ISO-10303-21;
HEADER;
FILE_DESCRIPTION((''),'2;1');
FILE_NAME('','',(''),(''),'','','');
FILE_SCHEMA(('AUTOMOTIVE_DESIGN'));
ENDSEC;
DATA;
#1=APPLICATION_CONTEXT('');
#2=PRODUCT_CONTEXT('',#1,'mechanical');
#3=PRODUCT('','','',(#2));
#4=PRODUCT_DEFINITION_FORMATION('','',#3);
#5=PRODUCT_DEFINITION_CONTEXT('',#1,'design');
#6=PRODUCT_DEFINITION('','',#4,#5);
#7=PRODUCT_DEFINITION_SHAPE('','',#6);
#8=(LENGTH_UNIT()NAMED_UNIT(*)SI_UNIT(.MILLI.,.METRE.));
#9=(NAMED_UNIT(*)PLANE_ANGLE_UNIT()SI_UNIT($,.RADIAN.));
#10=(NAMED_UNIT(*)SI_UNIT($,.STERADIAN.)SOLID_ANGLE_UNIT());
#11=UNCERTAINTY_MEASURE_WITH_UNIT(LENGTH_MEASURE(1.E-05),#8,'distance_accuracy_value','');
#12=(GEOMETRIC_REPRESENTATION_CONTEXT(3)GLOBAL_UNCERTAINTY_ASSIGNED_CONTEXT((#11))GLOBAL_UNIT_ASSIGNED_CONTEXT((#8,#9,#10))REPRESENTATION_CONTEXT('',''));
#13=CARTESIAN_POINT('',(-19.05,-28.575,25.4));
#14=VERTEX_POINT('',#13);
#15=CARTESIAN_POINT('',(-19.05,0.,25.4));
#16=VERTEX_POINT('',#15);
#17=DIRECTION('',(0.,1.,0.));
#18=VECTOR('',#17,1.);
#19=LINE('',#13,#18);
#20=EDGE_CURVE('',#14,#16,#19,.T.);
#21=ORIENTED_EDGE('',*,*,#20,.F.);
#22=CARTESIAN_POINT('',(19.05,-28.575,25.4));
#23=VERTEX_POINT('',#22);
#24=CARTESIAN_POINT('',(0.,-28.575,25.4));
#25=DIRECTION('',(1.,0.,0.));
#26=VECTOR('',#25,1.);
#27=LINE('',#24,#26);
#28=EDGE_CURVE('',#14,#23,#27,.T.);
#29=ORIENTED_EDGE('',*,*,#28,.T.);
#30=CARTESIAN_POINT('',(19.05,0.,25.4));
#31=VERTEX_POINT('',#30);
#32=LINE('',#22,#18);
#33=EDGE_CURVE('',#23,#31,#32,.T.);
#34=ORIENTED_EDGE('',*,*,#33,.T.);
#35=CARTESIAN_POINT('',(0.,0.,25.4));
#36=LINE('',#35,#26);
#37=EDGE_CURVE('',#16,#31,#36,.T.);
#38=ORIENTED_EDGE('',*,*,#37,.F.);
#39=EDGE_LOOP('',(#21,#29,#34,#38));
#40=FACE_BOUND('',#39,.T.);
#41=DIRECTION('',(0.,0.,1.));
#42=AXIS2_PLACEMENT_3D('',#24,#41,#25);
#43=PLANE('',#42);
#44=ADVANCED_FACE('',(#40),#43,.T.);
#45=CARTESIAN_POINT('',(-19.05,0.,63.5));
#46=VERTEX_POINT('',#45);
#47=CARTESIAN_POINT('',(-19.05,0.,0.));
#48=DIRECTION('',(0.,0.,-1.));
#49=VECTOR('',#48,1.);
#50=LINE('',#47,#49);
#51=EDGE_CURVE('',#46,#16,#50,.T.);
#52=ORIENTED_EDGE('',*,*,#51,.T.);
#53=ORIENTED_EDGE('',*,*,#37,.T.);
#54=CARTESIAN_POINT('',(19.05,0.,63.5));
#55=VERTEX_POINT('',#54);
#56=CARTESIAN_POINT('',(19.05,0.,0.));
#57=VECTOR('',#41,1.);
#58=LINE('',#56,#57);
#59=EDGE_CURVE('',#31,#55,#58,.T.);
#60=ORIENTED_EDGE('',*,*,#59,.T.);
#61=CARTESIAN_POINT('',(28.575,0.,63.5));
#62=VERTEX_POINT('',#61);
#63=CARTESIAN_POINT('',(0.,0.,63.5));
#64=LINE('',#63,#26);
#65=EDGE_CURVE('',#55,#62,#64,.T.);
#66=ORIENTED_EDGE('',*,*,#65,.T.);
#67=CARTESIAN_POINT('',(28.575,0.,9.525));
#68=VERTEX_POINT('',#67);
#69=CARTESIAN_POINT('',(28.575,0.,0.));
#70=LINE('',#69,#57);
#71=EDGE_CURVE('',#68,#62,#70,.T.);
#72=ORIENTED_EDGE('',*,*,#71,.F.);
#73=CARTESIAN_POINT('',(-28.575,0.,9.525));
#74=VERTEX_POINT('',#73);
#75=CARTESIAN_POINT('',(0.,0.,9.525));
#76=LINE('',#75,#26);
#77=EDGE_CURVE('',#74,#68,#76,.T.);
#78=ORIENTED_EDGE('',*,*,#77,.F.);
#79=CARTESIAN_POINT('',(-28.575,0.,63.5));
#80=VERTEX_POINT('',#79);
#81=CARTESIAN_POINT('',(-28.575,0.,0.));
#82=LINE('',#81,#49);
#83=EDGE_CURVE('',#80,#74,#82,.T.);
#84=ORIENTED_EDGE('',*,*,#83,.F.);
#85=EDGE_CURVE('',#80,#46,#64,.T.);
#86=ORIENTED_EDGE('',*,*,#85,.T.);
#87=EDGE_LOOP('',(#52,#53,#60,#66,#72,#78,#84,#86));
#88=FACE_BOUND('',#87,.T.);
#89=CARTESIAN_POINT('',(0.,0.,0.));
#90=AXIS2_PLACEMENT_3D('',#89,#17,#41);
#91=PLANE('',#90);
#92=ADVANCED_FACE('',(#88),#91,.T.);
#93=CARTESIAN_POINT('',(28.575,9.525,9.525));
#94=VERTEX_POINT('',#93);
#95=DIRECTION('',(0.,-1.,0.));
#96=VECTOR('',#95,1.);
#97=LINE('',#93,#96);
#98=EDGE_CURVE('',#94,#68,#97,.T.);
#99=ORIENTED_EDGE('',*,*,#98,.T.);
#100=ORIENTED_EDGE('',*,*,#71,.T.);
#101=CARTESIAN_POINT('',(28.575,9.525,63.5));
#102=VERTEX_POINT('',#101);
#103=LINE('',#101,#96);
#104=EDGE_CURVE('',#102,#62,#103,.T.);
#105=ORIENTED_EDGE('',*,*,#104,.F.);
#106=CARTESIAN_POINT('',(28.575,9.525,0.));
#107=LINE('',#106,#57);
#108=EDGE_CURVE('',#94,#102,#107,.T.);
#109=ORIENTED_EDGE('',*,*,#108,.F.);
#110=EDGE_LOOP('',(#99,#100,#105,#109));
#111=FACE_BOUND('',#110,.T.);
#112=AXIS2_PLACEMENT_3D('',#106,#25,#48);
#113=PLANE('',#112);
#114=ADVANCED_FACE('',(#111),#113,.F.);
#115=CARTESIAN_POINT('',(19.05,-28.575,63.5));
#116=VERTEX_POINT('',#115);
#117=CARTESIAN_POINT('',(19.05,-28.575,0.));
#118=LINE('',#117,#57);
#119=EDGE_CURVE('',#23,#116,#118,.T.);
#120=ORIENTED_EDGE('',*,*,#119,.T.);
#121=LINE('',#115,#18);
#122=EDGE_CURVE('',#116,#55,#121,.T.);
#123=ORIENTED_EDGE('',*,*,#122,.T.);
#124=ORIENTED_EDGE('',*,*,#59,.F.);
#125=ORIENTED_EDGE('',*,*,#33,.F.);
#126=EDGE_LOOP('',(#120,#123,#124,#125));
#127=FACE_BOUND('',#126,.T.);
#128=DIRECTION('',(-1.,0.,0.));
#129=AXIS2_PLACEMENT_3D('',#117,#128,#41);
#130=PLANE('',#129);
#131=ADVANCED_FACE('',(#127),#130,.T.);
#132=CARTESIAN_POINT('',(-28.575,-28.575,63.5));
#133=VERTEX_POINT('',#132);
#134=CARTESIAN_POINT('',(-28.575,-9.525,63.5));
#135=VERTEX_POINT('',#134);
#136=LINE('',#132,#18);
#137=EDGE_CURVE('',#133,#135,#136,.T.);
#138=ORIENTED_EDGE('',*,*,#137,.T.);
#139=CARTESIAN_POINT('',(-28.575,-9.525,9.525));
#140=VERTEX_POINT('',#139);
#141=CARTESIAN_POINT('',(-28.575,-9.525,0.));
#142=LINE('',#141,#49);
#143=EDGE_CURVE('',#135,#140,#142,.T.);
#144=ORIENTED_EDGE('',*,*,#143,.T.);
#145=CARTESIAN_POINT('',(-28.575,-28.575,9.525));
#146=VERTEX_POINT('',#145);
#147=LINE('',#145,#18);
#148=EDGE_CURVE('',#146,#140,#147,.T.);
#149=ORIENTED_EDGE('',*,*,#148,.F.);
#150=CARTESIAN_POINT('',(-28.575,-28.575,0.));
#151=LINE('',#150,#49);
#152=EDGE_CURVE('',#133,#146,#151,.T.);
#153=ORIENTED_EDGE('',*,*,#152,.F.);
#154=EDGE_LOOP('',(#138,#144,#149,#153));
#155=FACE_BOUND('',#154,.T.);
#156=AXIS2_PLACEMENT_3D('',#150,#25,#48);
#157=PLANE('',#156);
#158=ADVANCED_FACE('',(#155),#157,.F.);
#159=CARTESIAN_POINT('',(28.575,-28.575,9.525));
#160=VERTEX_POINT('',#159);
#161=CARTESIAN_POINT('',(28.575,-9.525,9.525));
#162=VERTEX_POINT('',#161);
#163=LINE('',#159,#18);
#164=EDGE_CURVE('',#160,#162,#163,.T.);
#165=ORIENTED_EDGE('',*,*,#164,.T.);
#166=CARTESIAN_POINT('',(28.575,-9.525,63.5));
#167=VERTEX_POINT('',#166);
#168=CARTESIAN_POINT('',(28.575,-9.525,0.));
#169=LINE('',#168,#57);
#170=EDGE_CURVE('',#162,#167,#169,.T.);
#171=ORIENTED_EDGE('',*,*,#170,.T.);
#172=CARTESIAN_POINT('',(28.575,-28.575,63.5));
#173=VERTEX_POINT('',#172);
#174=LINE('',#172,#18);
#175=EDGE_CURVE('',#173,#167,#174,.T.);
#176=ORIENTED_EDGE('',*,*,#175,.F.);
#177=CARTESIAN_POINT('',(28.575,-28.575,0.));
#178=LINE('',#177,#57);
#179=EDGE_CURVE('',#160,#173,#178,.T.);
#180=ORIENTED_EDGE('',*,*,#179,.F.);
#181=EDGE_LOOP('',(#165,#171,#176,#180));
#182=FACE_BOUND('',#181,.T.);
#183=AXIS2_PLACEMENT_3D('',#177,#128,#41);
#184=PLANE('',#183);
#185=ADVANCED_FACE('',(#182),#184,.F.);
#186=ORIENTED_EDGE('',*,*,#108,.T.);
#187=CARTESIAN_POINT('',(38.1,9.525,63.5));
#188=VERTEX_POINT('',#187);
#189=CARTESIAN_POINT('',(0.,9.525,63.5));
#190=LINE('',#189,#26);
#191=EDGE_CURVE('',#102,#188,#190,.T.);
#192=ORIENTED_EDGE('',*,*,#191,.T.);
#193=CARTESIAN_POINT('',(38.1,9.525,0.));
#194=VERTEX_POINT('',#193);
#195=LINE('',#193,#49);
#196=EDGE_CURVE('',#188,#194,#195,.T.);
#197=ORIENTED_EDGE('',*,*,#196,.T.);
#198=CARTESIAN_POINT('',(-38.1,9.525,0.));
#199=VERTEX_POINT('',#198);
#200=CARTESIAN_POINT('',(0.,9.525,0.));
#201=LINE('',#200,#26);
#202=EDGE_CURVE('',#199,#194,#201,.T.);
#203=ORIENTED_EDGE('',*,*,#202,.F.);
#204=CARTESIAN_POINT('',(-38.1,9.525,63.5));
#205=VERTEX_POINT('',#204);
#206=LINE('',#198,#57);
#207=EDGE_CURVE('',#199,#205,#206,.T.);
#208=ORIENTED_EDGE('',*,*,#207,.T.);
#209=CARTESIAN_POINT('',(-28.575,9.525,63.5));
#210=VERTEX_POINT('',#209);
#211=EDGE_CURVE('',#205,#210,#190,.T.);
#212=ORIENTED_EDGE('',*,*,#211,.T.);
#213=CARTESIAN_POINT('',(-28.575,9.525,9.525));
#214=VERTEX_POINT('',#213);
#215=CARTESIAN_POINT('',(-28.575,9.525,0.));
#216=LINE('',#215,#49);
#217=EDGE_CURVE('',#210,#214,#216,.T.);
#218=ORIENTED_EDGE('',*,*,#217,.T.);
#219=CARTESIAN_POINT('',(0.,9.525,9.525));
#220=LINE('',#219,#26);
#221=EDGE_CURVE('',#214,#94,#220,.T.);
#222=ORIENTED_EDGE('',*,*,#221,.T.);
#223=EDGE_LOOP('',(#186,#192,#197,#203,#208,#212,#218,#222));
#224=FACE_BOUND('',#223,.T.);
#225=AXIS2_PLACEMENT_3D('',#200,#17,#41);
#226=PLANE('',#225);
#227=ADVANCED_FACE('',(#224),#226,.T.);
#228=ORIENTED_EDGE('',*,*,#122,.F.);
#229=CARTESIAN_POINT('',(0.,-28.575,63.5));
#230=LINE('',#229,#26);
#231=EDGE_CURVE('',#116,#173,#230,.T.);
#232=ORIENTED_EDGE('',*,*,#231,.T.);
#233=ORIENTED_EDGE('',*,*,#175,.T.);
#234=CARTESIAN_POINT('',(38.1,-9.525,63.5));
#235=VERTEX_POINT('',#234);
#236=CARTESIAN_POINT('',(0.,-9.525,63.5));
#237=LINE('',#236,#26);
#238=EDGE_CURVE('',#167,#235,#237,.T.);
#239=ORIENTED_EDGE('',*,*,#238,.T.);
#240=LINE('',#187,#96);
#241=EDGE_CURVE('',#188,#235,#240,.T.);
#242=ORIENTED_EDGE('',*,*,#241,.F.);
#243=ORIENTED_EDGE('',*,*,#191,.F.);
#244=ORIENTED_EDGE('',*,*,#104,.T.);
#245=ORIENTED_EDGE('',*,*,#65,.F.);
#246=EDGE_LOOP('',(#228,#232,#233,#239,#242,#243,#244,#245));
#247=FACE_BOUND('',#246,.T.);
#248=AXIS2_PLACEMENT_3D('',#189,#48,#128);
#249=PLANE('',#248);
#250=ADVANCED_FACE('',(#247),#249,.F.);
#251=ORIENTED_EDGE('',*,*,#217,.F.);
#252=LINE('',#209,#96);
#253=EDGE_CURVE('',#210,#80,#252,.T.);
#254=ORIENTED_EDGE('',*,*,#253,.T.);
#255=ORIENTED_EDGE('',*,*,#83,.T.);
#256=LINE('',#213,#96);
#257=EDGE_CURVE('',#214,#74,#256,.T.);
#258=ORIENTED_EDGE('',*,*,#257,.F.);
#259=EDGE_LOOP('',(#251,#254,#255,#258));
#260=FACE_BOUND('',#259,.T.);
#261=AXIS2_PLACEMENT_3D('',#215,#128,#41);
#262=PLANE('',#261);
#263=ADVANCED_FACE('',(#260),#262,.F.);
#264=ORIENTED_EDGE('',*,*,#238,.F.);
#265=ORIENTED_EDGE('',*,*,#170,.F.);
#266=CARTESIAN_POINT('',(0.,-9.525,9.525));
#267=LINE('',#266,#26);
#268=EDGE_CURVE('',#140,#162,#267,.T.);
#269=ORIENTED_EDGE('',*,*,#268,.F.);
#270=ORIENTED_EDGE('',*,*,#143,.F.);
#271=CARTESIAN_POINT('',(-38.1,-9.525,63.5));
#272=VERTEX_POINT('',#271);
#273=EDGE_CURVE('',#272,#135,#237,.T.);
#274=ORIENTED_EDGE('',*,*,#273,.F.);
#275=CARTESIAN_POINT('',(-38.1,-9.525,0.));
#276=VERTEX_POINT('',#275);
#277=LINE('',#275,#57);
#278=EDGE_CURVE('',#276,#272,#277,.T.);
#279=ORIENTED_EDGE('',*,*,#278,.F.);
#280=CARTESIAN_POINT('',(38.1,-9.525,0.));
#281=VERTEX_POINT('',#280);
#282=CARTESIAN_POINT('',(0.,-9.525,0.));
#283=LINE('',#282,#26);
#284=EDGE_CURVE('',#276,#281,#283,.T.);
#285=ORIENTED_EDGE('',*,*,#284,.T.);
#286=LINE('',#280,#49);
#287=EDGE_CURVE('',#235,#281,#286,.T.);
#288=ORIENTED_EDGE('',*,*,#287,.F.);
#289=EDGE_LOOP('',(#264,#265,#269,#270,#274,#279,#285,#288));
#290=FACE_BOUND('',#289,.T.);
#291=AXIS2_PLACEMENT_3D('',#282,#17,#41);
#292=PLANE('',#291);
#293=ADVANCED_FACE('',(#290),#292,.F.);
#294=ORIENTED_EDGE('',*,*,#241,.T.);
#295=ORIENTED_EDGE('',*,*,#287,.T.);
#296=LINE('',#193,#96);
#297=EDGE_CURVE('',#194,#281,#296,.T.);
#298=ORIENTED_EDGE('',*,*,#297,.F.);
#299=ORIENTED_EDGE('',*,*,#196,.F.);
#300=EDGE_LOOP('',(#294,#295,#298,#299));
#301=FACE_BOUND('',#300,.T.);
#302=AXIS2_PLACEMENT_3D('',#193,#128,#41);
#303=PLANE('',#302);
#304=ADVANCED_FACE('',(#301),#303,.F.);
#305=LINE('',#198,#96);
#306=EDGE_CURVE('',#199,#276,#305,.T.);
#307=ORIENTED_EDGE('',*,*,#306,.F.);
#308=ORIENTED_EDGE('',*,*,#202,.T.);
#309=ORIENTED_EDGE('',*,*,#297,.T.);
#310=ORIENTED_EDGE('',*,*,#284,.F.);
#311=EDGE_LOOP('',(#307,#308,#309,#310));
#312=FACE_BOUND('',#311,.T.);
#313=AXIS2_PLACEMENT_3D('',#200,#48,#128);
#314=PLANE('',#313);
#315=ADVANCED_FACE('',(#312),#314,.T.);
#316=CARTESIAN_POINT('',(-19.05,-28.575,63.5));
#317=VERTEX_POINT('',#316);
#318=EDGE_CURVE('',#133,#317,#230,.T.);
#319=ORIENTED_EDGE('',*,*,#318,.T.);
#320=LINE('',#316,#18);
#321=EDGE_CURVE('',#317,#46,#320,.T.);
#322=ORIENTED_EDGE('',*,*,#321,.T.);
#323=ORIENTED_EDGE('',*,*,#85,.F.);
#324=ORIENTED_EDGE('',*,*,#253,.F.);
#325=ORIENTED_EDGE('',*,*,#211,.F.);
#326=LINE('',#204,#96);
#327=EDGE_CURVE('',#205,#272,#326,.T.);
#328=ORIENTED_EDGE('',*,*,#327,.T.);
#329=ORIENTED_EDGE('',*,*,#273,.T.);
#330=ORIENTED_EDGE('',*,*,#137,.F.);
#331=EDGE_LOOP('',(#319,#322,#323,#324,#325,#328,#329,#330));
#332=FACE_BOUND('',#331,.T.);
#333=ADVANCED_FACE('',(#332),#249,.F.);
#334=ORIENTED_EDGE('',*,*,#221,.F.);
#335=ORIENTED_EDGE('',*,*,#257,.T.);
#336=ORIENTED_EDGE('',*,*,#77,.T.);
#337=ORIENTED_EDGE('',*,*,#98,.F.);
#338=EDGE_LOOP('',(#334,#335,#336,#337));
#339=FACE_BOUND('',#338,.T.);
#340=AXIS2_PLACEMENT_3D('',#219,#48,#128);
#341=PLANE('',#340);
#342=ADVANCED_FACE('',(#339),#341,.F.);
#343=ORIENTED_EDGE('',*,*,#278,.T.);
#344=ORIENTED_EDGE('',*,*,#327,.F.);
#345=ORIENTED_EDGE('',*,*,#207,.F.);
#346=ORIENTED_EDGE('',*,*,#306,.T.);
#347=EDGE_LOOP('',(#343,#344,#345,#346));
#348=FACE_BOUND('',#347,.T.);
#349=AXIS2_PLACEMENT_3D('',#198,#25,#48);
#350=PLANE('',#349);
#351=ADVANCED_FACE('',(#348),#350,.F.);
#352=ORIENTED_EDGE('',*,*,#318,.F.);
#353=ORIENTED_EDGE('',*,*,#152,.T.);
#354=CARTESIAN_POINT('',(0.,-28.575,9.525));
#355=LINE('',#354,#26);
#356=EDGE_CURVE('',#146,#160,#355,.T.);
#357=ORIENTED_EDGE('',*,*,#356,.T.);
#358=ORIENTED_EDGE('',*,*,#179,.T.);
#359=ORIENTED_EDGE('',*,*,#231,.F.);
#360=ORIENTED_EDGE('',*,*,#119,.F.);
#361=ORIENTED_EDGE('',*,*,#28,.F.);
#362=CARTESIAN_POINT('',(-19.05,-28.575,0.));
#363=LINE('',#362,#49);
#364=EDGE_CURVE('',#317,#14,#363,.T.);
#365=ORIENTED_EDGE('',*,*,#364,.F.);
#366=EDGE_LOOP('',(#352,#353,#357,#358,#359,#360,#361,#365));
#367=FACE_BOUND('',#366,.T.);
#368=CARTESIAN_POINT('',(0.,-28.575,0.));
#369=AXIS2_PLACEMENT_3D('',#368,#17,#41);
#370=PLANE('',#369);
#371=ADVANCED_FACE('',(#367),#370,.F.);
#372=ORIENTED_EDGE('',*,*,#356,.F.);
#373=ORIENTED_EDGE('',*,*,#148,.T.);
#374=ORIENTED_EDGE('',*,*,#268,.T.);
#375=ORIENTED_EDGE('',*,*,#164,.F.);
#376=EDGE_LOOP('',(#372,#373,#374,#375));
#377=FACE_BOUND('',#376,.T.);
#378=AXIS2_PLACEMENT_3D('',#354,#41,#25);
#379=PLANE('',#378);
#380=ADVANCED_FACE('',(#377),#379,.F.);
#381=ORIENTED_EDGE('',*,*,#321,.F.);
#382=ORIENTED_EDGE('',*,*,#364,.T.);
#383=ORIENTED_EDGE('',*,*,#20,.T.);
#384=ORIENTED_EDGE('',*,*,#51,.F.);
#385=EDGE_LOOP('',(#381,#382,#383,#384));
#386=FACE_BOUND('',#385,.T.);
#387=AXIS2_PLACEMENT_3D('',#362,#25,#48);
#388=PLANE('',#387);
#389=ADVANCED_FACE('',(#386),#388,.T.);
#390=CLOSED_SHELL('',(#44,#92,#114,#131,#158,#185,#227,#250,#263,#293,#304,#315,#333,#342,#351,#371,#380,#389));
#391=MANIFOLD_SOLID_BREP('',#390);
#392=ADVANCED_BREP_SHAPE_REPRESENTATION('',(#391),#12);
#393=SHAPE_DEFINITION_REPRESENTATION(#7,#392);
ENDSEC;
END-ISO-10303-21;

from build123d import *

# Parameters (mm, degrees)
BOSS_EXTRUDE1_DEPTH = 9.525
BOSS_EXTRUDE2_DEPTH = 28.575


with BuildPart() as part:
    # Sketch1 → Boss-Extrude1 (new, symmetric)
    with BuildSketch(Plane(origin=(0, 0, 0), x_dir=(1, 0, 0), z_dir=(0, 1, 0))):
        Polygon((38.1, 0), (-38.1, 0), (-38.1, -63.5), (-28.575, -63.5), (-28.575, -9.525), (28.575, -9.525), (28.575, -63.5), (38.1, -63.5), align=None)
    extrude(amount=BOSS_EXTRUDE1_DEPTH, both=True)

    # Sketch1<3> → Boss-Extrude2 (add)
    with BuildSketch(Plane(origin=(0, 0, 0), x_dir=(1, 0, 0), z_dir=(0, 1, 0))):
        Polygon((-28.575, -9.525), (-28.575, -63.5), (-19.05, -63.5), (-19.05, -25.4), (19.05, -25.4), (19.05, -63.5), (28.575, -63.5), (28.575, -9.525), align=None)
    extrude(amount=-BOSS_EXTRUDE2_DEPTH)


solid = part.part
